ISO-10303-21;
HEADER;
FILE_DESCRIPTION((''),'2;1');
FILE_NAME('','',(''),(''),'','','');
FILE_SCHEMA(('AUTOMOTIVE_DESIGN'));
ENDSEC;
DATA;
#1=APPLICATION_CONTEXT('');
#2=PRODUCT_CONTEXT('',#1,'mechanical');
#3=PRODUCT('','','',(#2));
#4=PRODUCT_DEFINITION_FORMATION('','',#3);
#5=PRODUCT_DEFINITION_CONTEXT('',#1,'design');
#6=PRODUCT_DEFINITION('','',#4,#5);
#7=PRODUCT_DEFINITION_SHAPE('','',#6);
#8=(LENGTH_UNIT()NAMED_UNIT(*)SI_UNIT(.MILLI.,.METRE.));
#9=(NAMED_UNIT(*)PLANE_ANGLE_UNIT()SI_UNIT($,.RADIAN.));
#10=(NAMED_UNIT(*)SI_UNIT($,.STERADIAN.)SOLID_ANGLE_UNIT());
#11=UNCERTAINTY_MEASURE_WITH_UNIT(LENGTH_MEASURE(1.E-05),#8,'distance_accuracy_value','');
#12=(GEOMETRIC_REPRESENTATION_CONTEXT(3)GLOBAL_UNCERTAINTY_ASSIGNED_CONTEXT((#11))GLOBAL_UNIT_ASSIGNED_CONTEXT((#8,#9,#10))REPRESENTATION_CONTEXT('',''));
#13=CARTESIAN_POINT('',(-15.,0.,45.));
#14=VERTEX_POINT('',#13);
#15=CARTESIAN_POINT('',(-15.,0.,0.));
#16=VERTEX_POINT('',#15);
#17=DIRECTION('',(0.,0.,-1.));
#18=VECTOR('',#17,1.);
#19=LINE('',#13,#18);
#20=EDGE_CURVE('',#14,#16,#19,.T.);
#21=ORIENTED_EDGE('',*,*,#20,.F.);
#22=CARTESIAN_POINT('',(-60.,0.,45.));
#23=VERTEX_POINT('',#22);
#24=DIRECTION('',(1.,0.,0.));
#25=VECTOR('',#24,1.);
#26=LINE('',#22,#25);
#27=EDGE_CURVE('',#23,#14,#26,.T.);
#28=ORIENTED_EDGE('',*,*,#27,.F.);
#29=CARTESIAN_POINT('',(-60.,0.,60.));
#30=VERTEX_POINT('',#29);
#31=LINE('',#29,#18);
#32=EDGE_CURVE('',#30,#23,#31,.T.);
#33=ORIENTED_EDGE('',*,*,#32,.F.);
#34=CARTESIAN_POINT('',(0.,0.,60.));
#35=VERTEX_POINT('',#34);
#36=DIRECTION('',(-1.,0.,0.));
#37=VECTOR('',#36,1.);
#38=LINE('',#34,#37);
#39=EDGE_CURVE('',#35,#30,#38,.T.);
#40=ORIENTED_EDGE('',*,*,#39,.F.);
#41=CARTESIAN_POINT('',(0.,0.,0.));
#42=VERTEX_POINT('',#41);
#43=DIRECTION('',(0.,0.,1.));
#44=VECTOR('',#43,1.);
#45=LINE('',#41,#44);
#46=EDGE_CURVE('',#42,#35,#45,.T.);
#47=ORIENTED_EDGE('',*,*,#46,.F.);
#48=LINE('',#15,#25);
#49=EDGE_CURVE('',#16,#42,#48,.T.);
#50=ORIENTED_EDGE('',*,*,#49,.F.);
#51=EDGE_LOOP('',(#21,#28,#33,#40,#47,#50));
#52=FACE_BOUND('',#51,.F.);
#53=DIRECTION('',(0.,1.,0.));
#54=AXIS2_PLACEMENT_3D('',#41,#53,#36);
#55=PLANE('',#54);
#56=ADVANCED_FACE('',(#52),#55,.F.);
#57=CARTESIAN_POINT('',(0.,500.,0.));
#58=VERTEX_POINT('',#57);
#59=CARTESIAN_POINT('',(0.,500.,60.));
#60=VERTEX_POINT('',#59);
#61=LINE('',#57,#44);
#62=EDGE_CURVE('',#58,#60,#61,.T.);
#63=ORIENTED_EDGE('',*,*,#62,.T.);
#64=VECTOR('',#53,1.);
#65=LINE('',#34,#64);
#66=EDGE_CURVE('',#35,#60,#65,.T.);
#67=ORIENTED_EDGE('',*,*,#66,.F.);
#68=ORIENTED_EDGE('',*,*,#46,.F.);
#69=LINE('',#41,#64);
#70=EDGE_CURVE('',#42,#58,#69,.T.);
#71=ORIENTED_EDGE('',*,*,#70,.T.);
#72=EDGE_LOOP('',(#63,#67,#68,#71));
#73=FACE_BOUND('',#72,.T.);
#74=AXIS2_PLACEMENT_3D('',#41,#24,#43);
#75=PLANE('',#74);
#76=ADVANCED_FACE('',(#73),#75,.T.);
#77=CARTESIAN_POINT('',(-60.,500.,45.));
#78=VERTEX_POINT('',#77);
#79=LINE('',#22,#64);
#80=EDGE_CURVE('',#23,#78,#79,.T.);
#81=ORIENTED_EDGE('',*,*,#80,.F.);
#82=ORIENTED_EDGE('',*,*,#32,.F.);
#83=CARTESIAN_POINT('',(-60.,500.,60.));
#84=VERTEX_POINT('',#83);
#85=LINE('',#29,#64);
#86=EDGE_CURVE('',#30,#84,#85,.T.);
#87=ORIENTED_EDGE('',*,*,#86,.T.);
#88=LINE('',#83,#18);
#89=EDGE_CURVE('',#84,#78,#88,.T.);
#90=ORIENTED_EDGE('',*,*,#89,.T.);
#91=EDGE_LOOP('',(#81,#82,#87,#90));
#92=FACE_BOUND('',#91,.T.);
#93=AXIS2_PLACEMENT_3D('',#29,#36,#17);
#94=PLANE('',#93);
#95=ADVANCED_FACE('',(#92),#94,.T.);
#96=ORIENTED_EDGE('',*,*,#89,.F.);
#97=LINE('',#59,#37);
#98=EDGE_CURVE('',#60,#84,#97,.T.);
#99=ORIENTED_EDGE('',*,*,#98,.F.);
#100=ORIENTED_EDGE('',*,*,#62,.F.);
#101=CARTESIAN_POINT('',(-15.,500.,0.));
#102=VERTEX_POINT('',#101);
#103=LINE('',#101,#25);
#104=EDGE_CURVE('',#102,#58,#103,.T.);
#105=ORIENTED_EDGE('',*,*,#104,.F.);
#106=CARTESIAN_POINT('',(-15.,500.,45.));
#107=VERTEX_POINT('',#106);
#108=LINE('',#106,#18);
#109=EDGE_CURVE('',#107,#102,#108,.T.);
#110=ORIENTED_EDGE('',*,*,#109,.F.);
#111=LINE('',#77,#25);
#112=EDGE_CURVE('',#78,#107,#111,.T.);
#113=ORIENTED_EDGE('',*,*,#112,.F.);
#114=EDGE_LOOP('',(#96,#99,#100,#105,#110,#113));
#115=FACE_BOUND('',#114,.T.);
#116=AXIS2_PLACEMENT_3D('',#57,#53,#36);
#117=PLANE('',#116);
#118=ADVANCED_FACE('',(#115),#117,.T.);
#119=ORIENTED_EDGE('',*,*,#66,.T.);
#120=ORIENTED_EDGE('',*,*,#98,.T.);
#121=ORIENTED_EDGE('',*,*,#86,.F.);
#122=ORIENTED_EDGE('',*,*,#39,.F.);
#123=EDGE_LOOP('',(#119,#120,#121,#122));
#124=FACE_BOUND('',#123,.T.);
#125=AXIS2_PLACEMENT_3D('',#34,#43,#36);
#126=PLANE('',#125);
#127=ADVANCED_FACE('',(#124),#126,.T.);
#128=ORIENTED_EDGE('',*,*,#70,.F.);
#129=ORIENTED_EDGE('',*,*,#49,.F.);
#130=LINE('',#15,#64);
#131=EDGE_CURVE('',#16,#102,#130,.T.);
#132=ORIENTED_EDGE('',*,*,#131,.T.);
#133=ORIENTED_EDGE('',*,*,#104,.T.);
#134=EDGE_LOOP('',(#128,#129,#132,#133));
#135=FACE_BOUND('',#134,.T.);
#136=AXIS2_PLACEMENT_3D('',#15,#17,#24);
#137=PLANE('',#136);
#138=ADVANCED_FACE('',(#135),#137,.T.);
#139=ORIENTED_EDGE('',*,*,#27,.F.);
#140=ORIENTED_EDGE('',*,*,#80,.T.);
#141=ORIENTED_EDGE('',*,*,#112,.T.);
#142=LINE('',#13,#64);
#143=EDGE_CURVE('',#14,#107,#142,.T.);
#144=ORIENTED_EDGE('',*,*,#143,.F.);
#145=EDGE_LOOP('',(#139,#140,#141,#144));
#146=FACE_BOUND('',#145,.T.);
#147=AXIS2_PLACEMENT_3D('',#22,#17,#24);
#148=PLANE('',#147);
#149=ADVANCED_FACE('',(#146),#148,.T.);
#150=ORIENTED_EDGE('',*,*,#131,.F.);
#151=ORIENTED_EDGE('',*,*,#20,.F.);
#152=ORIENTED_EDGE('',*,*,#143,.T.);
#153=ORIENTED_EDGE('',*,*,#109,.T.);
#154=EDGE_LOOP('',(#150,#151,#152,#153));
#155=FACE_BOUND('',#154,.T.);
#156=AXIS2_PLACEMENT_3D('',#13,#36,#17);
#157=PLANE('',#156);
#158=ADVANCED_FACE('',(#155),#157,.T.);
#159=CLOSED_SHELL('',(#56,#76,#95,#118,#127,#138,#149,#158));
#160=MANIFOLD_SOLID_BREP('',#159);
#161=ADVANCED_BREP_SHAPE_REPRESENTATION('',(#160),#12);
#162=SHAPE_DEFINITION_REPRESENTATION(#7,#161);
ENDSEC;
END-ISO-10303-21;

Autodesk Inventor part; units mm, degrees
ref_plane "YZ Plane" through (0, 0, 0) normal (1, 0, 0) x (0, 1, 0)
ref_plane "XZ Plane" through (0, 0, 0) normal (0, 1, 0) x (-1, 0, 0)
ref_plane "XY Plane" through (0, 0, 0) normal (0, 0, 1) x (1, 0, 0)
sketch "Sketch1" plane through (0, 0, 0) normal (0, 1, 0) x (-1, 0, 0)
  line L0 (0, 0) -> (0, 60)
  line L1 (0, 60) -> (60, 60)
  line L2 (60, 60) -> (60, 45)
  line L3 (60, 45) -> (15, 45)
  line L4 (15, 45) -> (15, 0)
  line L5 (15, 0) -> (0, 0)
  dimension "d0" = 60
  dimension "d1" = 60
  dimension "d2" = 15
  dimension "d3" = 15
extrude "Extrusion1" add sketch "Sketch1" along normal blind 500
properties part number "frame"
